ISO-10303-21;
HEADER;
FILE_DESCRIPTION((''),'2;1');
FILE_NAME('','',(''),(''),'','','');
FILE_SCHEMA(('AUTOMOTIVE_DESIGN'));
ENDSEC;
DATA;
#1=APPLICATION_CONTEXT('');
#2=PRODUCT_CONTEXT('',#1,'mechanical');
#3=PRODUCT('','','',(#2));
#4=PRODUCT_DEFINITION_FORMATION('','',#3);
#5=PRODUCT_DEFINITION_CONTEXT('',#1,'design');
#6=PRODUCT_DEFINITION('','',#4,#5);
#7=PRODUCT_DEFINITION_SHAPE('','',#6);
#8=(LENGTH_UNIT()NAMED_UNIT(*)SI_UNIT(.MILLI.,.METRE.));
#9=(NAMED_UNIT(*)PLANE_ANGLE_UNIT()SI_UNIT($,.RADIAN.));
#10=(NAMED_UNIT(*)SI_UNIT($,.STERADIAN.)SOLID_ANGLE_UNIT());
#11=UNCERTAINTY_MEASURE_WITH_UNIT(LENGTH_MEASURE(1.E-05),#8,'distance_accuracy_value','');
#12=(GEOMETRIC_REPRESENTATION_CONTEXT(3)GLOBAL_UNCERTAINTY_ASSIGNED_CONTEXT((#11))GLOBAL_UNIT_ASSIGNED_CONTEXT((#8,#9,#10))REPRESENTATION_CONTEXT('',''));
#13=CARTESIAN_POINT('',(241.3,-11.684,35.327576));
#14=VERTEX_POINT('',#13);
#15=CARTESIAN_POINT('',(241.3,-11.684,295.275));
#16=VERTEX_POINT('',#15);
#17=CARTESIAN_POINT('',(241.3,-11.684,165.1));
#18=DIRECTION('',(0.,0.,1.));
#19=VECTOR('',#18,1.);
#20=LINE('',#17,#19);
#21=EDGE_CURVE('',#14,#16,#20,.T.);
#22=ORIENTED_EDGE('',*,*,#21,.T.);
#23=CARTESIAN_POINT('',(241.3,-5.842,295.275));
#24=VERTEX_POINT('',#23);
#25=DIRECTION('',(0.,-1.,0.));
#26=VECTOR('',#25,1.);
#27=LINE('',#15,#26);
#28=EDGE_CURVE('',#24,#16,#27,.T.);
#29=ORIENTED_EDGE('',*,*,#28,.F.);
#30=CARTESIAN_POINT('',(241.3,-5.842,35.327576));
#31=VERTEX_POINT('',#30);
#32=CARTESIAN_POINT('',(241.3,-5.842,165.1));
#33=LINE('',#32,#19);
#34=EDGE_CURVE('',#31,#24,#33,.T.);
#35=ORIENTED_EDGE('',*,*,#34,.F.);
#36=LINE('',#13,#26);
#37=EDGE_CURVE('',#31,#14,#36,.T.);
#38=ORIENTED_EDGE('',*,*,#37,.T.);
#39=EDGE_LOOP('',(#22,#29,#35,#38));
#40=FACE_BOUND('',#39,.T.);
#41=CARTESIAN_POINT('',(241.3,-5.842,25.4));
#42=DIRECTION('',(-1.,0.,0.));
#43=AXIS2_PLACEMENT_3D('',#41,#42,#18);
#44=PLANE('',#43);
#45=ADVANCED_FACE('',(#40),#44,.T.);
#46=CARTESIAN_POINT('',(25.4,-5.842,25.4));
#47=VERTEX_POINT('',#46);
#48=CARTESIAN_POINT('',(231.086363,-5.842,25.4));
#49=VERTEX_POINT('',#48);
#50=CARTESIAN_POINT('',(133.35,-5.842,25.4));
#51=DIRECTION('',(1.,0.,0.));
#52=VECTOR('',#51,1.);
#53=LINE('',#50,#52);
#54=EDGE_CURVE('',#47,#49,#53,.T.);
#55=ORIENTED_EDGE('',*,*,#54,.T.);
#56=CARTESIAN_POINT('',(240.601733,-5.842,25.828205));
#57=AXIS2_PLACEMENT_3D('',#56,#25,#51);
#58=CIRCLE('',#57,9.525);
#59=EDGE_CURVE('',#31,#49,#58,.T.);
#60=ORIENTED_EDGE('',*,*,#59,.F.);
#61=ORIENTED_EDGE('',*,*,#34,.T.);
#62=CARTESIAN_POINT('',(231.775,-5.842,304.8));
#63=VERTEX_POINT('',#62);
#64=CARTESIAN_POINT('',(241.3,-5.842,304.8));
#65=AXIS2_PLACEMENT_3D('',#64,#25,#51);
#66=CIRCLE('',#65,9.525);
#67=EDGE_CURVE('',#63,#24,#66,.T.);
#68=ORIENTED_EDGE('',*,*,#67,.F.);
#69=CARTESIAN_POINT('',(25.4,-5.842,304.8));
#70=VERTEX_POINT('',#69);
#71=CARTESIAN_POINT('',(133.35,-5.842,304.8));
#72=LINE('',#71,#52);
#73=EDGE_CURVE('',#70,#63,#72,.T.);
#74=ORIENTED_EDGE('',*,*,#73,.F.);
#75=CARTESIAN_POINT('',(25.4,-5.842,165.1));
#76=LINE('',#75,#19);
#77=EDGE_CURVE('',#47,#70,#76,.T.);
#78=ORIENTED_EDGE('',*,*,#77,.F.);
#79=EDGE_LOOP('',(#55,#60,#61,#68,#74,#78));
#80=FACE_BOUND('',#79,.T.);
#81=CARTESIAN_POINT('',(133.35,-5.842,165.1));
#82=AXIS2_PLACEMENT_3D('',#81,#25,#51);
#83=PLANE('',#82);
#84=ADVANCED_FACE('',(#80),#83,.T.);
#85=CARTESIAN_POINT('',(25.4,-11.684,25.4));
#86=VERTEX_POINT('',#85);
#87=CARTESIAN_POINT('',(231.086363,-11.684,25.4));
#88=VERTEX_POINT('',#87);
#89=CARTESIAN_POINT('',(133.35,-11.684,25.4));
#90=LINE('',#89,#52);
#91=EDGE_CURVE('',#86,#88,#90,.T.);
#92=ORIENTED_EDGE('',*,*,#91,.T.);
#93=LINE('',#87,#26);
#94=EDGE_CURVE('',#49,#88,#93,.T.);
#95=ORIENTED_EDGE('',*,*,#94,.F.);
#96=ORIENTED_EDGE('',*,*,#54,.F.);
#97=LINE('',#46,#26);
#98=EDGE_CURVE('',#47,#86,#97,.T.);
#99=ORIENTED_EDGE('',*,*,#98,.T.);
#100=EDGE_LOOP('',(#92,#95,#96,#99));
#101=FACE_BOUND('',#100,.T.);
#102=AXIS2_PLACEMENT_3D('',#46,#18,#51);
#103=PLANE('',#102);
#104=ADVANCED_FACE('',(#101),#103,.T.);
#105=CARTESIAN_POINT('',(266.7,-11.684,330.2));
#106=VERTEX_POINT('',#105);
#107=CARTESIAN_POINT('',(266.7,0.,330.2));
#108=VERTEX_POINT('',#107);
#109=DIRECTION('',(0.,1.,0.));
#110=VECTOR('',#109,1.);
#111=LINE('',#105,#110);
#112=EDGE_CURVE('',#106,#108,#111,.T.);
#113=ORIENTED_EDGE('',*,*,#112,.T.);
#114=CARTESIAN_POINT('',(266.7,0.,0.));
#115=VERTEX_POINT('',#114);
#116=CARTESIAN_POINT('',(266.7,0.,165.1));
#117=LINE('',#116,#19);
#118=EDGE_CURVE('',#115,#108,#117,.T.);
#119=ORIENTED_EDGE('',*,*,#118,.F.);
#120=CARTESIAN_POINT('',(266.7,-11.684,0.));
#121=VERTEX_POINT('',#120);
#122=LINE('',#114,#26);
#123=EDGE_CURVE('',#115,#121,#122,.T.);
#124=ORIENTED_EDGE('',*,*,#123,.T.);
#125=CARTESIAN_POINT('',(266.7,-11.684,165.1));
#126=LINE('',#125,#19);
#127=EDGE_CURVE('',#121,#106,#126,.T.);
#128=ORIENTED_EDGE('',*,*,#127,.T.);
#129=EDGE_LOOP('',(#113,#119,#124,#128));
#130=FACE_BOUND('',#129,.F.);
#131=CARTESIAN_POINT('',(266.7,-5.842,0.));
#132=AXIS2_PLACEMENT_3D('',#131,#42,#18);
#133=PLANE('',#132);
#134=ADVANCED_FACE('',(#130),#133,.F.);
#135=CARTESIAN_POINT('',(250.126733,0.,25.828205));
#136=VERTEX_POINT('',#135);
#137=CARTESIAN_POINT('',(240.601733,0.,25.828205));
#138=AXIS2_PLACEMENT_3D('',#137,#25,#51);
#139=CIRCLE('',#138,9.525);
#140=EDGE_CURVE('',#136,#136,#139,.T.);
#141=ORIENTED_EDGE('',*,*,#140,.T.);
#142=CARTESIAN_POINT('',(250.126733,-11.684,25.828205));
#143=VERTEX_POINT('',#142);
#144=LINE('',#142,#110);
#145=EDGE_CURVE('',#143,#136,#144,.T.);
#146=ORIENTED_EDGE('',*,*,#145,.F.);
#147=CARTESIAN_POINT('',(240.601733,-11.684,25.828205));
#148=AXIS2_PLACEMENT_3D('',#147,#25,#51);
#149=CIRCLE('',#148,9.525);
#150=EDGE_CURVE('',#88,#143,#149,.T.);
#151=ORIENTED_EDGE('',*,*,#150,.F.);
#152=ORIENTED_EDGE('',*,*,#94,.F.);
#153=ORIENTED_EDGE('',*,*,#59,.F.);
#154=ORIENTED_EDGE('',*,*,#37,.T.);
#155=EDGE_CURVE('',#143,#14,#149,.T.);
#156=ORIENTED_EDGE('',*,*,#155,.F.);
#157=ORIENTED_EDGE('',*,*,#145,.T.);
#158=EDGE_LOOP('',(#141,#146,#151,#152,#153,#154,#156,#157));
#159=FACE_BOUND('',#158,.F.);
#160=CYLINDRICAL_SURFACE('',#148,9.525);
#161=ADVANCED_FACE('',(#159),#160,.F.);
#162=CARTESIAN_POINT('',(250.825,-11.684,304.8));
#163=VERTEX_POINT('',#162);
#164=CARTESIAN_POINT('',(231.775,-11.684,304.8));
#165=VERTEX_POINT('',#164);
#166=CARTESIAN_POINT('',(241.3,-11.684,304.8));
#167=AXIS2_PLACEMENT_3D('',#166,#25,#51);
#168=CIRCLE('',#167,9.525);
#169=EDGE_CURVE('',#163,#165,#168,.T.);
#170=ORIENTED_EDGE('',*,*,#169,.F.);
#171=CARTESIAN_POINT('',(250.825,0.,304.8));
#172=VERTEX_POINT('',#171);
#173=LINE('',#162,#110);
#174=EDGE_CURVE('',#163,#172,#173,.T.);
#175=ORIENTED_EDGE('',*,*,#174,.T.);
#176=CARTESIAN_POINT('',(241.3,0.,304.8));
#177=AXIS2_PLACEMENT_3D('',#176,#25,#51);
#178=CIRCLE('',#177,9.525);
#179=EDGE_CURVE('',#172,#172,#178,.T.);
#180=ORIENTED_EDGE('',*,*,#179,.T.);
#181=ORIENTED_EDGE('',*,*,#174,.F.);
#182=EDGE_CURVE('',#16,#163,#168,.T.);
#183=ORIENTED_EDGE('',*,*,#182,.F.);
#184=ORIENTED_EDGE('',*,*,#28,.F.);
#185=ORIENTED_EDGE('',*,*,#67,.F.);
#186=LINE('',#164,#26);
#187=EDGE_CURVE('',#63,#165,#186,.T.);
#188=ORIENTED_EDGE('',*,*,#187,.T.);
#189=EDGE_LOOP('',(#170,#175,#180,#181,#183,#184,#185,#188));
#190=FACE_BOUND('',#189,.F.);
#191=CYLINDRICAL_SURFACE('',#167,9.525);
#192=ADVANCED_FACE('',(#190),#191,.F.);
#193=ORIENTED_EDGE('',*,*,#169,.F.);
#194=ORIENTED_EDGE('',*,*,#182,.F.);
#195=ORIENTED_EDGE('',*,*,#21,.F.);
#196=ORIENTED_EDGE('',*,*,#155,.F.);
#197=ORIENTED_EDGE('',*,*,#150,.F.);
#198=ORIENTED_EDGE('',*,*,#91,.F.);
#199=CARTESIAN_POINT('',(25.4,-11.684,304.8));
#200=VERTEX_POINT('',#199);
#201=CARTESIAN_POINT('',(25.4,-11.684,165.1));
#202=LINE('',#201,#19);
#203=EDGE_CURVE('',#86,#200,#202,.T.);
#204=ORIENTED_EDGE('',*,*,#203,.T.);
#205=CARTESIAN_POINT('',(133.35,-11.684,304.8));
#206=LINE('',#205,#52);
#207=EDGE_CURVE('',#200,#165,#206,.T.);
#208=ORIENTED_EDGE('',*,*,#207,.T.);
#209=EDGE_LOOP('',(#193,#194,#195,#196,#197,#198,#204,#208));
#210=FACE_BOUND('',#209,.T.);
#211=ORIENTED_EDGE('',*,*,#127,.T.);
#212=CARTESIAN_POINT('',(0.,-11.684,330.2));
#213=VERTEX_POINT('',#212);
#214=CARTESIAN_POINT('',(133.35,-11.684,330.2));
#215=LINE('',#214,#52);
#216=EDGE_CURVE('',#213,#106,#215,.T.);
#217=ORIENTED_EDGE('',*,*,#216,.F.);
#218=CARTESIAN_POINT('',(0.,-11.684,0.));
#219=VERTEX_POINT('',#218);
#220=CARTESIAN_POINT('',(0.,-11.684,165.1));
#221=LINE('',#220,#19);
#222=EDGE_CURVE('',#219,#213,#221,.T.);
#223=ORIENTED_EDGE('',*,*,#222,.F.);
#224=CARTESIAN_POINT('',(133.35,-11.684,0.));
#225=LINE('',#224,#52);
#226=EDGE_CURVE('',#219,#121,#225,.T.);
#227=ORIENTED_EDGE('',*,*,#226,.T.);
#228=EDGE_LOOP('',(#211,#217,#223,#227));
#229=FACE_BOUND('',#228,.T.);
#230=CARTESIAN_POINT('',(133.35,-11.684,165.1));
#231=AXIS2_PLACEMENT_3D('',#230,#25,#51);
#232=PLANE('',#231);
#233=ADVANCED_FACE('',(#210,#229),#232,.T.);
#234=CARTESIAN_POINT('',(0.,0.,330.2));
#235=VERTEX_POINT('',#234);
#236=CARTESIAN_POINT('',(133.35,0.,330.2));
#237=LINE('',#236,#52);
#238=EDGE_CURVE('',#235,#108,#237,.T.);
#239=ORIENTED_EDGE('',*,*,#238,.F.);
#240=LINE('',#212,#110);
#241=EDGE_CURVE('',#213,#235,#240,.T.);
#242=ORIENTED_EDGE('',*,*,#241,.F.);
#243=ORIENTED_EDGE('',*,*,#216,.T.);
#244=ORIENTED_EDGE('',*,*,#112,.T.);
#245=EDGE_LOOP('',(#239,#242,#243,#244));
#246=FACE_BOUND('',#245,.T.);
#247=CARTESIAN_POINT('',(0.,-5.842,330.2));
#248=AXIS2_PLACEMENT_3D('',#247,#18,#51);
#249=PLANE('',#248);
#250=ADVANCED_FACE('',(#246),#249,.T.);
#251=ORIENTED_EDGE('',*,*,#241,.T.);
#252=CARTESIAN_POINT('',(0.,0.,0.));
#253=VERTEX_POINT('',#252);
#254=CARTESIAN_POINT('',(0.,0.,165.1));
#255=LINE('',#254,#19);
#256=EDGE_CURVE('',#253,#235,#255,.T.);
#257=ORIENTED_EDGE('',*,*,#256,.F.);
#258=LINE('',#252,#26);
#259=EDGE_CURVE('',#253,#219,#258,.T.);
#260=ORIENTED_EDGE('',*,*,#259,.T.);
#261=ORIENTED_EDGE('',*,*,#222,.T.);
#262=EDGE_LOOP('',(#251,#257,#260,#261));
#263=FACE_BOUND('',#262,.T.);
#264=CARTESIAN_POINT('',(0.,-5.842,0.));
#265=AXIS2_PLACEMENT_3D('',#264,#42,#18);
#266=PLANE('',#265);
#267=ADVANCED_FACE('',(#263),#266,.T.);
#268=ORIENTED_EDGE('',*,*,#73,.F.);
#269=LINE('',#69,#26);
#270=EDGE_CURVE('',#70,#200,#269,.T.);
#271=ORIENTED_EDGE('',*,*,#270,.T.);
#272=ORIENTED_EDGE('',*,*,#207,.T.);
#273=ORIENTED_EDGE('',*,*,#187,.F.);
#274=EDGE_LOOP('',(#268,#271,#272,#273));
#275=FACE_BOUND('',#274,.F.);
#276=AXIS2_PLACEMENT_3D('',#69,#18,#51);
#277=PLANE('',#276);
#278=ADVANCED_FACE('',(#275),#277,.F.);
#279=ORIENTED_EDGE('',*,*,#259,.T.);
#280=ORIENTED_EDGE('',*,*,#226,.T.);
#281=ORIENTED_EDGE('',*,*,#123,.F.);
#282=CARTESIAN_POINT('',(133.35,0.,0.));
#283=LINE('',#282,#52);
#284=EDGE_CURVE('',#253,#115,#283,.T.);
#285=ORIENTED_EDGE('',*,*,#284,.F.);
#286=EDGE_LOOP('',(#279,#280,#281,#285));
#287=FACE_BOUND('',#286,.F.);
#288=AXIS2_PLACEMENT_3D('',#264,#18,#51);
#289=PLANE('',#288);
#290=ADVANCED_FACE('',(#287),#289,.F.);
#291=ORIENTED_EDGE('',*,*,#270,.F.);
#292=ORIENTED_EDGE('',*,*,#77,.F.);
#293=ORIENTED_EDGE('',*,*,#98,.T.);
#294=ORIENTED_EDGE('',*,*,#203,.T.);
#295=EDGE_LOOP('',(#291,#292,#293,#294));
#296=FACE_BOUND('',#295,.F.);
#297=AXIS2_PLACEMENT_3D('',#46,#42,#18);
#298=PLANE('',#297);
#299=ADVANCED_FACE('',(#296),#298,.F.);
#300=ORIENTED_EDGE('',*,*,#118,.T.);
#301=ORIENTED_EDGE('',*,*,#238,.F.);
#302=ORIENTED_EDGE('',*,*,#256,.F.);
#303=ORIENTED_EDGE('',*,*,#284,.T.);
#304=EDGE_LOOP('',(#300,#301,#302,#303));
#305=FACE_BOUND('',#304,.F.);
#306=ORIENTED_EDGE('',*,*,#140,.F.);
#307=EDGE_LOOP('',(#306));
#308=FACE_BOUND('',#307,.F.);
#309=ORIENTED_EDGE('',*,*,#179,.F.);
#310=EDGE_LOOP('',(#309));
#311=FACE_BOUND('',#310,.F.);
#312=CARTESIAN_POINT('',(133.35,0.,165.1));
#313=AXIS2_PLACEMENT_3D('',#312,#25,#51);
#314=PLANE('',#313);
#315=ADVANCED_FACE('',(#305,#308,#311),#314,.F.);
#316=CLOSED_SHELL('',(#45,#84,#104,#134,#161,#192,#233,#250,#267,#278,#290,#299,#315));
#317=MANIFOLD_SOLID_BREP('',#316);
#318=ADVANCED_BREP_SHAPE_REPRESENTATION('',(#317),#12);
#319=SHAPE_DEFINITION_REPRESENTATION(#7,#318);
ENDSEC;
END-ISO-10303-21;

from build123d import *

# Parameters (mm, degrees)
F0_W     = 266.7
F0_H     = 330.2
F1_DEPTH = 5.842
F2_W     = 266.7
F2_H     = 330.2
F2_W_2   = 215.9
F2_H_2   = 279.4
F3_DEPTH = 5.842
F6_R     = 9.525
F7_DEPTH = 11.685


with BuildPart() as f1:
    # F0 (on Front) → F1 (new body)
    with BuildSketch(Plane.XZ):
        with Locations((133.35, 165.1)):
            Rectangle(F0_W, F0_H)
    extrude(amount=F1_DEPTH)


with BuildPart() as f3:
    # F2 (on face) → F3 (new body)
    with BuildSketch(Plane.XZ.offset(5.842)):
        with Locations((133.35, 165.1)):
            Rectangle(F2_W, F2_H)
        with Locations((133.35, 165.1)):
            Rectangle(F2_W_2, F2_H_2, mode=Mode.SUBTRACT)
    extrude(amount=F3_DEPTH)


with BuildPart() as f1_1:
    add(f1.part)

    # F4: union F3
    add(f3.part)

    # F6 (on face) → F7 (cut, through all)
    with BuildSketch(Plane.XZ.offset(11.684)):
        with Locations((241.3, 304.8)):
            Circle(F6_R)
        with Locations((240.601733, 25.828205)):
            Circle(F6_R)
    extrude(amount=-F7_DEPTH, mode=Mode.SUBTRACT)


solid = f1_1.part
